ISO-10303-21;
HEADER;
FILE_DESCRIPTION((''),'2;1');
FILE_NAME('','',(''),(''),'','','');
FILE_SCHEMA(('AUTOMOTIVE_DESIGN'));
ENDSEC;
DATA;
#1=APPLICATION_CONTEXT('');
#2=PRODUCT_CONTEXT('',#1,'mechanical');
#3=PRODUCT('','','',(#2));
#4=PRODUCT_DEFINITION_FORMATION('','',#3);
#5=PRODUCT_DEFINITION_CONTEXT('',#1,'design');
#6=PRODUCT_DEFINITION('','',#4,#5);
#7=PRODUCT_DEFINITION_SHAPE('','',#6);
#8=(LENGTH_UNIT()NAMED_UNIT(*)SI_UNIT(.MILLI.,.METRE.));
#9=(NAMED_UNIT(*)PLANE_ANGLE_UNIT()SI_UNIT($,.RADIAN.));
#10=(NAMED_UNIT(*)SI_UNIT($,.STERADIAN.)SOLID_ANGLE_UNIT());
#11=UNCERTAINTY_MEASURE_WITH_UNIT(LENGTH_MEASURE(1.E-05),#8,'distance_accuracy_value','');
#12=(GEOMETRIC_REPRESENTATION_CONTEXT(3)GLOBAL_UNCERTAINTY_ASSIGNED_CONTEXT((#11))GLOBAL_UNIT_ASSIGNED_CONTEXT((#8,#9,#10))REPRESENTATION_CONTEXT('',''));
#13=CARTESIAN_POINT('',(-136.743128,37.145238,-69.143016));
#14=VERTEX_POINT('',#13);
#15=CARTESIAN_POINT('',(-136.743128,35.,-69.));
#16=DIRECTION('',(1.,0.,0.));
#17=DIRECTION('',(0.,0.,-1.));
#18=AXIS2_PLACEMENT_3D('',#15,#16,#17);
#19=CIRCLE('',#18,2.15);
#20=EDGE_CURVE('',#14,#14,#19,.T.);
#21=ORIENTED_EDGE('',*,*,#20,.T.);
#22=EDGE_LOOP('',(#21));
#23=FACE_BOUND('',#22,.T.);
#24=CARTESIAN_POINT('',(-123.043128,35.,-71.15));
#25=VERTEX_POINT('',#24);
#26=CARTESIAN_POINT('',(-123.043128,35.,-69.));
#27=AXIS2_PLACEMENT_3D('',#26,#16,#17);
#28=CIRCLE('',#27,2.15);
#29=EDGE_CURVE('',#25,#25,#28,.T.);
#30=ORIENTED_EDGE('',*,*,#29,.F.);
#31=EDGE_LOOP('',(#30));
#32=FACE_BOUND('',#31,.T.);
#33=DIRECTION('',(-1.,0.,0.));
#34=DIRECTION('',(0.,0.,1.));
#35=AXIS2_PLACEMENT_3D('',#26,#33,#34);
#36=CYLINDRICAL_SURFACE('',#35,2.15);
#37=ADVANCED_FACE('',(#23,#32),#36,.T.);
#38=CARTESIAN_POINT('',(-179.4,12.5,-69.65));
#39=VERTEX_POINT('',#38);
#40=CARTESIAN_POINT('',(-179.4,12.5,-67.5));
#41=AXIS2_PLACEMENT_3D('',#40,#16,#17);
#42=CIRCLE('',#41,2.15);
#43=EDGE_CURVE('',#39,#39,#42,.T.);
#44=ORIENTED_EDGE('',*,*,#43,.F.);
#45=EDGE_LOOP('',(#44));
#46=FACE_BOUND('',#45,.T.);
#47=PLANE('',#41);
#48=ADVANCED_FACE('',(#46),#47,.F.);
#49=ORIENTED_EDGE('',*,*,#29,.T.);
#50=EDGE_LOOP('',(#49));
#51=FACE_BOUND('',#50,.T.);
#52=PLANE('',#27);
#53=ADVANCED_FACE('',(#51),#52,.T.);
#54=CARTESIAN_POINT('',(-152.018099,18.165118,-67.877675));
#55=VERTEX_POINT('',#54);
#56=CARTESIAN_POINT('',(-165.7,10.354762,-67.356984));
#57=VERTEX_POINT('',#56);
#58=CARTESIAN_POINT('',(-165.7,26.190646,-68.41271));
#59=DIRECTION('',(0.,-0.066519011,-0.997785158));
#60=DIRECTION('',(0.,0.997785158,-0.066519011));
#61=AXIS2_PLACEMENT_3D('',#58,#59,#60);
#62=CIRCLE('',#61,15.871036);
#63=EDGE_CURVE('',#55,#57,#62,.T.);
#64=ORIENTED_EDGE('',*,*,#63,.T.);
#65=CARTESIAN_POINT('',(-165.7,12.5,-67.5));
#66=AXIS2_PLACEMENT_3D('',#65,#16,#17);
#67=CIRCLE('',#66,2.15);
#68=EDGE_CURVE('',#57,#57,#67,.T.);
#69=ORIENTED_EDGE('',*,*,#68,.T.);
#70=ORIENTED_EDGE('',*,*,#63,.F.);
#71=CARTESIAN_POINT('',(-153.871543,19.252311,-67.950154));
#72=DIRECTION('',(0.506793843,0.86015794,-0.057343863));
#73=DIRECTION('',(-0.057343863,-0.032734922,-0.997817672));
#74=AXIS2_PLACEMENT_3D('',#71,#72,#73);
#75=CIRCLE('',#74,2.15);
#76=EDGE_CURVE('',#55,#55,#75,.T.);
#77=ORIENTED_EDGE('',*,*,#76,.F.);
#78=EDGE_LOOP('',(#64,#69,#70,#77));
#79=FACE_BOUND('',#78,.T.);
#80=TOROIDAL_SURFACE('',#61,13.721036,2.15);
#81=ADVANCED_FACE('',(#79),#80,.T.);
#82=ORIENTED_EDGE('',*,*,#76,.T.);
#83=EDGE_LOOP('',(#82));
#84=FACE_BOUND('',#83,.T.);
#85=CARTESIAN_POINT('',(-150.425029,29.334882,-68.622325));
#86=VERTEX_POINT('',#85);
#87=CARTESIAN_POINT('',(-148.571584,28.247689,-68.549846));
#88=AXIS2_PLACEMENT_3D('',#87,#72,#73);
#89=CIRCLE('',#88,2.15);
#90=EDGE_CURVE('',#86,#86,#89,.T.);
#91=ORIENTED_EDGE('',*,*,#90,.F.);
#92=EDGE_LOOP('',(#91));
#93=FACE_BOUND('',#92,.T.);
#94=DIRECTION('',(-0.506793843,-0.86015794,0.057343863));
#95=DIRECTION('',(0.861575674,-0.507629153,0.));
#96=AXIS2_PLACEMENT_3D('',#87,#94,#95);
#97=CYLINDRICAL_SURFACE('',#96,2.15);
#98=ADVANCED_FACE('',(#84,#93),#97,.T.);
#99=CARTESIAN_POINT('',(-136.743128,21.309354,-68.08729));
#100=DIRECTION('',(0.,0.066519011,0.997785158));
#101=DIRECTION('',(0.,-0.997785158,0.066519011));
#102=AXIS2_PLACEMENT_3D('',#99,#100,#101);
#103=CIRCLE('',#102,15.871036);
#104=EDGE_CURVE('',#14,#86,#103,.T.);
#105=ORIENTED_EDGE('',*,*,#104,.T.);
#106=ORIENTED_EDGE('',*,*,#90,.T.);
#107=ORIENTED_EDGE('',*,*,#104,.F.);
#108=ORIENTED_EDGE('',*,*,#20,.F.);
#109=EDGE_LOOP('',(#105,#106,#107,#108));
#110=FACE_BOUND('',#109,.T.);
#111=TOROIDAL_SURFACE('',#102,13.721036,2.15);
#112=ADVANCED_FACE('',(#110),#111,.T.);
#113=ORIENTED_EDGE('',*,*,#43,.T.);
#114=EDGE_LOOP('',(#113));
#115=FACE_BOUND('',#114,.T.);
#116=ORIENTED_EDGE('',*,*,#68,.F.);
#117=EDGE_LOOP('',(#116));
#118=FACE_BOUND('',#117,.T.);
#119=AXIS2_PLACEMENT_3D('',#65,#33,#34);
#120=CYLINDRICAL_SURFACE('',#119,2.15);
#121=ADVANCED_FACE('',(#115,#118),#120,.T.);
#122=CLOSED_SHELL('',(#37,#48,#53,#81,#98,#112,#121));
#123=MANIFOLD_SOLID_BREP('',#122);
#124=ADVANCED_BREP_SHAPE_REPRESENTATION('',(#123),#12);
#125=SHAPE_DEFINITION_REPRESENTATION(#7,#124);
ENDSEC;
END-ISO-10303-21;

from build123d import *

# Parameters (mm, degrees)
SKETCH_3_R = 2.15


with BuildPart() as part:
    # ｽｲｰﾌﾟ1: sweep along a path in ｽｹｯﾁ2
    with BuildLine(Plane(origin=(0, -4.424778761, -66.371681416), x_dir=(-1, 0, 0), z_dir=(0, -0.06651901052377338, -0.997785157856609))) as sweep_1_path:
        Line((123.043127582, 39.512292251), (136.743127582, 39.512292251))
        ThreePointArc((136.743127582, 39.512292251), (143.556877087, 37.70090142), (148.571584156, 32.744992617))
        Line((148.571584156, 32.744992617), (153.871543426, 23.729647318))
        ThreePointArc((153.871543426, 23.729647318), (158.886250495, 18.773738514), (165.7, 16.962347684))
        Line((165.7, 16.962347684), (179.4, 16.962347684))
    # ｽｹｯﾁ3 → ｽｲｰﾌﾟ1 (sweep)
    with BuildSketch(Plane(origin=(-179.4, 0, 0), x_dir=(0, 0, -1), z_dir=(1, 0, 0))):
        with Locations((67.5, 12.5)):
            Circle(SKETCH_3_R)
    sweep(path=sweep_1_path.line)


solid = part.part
